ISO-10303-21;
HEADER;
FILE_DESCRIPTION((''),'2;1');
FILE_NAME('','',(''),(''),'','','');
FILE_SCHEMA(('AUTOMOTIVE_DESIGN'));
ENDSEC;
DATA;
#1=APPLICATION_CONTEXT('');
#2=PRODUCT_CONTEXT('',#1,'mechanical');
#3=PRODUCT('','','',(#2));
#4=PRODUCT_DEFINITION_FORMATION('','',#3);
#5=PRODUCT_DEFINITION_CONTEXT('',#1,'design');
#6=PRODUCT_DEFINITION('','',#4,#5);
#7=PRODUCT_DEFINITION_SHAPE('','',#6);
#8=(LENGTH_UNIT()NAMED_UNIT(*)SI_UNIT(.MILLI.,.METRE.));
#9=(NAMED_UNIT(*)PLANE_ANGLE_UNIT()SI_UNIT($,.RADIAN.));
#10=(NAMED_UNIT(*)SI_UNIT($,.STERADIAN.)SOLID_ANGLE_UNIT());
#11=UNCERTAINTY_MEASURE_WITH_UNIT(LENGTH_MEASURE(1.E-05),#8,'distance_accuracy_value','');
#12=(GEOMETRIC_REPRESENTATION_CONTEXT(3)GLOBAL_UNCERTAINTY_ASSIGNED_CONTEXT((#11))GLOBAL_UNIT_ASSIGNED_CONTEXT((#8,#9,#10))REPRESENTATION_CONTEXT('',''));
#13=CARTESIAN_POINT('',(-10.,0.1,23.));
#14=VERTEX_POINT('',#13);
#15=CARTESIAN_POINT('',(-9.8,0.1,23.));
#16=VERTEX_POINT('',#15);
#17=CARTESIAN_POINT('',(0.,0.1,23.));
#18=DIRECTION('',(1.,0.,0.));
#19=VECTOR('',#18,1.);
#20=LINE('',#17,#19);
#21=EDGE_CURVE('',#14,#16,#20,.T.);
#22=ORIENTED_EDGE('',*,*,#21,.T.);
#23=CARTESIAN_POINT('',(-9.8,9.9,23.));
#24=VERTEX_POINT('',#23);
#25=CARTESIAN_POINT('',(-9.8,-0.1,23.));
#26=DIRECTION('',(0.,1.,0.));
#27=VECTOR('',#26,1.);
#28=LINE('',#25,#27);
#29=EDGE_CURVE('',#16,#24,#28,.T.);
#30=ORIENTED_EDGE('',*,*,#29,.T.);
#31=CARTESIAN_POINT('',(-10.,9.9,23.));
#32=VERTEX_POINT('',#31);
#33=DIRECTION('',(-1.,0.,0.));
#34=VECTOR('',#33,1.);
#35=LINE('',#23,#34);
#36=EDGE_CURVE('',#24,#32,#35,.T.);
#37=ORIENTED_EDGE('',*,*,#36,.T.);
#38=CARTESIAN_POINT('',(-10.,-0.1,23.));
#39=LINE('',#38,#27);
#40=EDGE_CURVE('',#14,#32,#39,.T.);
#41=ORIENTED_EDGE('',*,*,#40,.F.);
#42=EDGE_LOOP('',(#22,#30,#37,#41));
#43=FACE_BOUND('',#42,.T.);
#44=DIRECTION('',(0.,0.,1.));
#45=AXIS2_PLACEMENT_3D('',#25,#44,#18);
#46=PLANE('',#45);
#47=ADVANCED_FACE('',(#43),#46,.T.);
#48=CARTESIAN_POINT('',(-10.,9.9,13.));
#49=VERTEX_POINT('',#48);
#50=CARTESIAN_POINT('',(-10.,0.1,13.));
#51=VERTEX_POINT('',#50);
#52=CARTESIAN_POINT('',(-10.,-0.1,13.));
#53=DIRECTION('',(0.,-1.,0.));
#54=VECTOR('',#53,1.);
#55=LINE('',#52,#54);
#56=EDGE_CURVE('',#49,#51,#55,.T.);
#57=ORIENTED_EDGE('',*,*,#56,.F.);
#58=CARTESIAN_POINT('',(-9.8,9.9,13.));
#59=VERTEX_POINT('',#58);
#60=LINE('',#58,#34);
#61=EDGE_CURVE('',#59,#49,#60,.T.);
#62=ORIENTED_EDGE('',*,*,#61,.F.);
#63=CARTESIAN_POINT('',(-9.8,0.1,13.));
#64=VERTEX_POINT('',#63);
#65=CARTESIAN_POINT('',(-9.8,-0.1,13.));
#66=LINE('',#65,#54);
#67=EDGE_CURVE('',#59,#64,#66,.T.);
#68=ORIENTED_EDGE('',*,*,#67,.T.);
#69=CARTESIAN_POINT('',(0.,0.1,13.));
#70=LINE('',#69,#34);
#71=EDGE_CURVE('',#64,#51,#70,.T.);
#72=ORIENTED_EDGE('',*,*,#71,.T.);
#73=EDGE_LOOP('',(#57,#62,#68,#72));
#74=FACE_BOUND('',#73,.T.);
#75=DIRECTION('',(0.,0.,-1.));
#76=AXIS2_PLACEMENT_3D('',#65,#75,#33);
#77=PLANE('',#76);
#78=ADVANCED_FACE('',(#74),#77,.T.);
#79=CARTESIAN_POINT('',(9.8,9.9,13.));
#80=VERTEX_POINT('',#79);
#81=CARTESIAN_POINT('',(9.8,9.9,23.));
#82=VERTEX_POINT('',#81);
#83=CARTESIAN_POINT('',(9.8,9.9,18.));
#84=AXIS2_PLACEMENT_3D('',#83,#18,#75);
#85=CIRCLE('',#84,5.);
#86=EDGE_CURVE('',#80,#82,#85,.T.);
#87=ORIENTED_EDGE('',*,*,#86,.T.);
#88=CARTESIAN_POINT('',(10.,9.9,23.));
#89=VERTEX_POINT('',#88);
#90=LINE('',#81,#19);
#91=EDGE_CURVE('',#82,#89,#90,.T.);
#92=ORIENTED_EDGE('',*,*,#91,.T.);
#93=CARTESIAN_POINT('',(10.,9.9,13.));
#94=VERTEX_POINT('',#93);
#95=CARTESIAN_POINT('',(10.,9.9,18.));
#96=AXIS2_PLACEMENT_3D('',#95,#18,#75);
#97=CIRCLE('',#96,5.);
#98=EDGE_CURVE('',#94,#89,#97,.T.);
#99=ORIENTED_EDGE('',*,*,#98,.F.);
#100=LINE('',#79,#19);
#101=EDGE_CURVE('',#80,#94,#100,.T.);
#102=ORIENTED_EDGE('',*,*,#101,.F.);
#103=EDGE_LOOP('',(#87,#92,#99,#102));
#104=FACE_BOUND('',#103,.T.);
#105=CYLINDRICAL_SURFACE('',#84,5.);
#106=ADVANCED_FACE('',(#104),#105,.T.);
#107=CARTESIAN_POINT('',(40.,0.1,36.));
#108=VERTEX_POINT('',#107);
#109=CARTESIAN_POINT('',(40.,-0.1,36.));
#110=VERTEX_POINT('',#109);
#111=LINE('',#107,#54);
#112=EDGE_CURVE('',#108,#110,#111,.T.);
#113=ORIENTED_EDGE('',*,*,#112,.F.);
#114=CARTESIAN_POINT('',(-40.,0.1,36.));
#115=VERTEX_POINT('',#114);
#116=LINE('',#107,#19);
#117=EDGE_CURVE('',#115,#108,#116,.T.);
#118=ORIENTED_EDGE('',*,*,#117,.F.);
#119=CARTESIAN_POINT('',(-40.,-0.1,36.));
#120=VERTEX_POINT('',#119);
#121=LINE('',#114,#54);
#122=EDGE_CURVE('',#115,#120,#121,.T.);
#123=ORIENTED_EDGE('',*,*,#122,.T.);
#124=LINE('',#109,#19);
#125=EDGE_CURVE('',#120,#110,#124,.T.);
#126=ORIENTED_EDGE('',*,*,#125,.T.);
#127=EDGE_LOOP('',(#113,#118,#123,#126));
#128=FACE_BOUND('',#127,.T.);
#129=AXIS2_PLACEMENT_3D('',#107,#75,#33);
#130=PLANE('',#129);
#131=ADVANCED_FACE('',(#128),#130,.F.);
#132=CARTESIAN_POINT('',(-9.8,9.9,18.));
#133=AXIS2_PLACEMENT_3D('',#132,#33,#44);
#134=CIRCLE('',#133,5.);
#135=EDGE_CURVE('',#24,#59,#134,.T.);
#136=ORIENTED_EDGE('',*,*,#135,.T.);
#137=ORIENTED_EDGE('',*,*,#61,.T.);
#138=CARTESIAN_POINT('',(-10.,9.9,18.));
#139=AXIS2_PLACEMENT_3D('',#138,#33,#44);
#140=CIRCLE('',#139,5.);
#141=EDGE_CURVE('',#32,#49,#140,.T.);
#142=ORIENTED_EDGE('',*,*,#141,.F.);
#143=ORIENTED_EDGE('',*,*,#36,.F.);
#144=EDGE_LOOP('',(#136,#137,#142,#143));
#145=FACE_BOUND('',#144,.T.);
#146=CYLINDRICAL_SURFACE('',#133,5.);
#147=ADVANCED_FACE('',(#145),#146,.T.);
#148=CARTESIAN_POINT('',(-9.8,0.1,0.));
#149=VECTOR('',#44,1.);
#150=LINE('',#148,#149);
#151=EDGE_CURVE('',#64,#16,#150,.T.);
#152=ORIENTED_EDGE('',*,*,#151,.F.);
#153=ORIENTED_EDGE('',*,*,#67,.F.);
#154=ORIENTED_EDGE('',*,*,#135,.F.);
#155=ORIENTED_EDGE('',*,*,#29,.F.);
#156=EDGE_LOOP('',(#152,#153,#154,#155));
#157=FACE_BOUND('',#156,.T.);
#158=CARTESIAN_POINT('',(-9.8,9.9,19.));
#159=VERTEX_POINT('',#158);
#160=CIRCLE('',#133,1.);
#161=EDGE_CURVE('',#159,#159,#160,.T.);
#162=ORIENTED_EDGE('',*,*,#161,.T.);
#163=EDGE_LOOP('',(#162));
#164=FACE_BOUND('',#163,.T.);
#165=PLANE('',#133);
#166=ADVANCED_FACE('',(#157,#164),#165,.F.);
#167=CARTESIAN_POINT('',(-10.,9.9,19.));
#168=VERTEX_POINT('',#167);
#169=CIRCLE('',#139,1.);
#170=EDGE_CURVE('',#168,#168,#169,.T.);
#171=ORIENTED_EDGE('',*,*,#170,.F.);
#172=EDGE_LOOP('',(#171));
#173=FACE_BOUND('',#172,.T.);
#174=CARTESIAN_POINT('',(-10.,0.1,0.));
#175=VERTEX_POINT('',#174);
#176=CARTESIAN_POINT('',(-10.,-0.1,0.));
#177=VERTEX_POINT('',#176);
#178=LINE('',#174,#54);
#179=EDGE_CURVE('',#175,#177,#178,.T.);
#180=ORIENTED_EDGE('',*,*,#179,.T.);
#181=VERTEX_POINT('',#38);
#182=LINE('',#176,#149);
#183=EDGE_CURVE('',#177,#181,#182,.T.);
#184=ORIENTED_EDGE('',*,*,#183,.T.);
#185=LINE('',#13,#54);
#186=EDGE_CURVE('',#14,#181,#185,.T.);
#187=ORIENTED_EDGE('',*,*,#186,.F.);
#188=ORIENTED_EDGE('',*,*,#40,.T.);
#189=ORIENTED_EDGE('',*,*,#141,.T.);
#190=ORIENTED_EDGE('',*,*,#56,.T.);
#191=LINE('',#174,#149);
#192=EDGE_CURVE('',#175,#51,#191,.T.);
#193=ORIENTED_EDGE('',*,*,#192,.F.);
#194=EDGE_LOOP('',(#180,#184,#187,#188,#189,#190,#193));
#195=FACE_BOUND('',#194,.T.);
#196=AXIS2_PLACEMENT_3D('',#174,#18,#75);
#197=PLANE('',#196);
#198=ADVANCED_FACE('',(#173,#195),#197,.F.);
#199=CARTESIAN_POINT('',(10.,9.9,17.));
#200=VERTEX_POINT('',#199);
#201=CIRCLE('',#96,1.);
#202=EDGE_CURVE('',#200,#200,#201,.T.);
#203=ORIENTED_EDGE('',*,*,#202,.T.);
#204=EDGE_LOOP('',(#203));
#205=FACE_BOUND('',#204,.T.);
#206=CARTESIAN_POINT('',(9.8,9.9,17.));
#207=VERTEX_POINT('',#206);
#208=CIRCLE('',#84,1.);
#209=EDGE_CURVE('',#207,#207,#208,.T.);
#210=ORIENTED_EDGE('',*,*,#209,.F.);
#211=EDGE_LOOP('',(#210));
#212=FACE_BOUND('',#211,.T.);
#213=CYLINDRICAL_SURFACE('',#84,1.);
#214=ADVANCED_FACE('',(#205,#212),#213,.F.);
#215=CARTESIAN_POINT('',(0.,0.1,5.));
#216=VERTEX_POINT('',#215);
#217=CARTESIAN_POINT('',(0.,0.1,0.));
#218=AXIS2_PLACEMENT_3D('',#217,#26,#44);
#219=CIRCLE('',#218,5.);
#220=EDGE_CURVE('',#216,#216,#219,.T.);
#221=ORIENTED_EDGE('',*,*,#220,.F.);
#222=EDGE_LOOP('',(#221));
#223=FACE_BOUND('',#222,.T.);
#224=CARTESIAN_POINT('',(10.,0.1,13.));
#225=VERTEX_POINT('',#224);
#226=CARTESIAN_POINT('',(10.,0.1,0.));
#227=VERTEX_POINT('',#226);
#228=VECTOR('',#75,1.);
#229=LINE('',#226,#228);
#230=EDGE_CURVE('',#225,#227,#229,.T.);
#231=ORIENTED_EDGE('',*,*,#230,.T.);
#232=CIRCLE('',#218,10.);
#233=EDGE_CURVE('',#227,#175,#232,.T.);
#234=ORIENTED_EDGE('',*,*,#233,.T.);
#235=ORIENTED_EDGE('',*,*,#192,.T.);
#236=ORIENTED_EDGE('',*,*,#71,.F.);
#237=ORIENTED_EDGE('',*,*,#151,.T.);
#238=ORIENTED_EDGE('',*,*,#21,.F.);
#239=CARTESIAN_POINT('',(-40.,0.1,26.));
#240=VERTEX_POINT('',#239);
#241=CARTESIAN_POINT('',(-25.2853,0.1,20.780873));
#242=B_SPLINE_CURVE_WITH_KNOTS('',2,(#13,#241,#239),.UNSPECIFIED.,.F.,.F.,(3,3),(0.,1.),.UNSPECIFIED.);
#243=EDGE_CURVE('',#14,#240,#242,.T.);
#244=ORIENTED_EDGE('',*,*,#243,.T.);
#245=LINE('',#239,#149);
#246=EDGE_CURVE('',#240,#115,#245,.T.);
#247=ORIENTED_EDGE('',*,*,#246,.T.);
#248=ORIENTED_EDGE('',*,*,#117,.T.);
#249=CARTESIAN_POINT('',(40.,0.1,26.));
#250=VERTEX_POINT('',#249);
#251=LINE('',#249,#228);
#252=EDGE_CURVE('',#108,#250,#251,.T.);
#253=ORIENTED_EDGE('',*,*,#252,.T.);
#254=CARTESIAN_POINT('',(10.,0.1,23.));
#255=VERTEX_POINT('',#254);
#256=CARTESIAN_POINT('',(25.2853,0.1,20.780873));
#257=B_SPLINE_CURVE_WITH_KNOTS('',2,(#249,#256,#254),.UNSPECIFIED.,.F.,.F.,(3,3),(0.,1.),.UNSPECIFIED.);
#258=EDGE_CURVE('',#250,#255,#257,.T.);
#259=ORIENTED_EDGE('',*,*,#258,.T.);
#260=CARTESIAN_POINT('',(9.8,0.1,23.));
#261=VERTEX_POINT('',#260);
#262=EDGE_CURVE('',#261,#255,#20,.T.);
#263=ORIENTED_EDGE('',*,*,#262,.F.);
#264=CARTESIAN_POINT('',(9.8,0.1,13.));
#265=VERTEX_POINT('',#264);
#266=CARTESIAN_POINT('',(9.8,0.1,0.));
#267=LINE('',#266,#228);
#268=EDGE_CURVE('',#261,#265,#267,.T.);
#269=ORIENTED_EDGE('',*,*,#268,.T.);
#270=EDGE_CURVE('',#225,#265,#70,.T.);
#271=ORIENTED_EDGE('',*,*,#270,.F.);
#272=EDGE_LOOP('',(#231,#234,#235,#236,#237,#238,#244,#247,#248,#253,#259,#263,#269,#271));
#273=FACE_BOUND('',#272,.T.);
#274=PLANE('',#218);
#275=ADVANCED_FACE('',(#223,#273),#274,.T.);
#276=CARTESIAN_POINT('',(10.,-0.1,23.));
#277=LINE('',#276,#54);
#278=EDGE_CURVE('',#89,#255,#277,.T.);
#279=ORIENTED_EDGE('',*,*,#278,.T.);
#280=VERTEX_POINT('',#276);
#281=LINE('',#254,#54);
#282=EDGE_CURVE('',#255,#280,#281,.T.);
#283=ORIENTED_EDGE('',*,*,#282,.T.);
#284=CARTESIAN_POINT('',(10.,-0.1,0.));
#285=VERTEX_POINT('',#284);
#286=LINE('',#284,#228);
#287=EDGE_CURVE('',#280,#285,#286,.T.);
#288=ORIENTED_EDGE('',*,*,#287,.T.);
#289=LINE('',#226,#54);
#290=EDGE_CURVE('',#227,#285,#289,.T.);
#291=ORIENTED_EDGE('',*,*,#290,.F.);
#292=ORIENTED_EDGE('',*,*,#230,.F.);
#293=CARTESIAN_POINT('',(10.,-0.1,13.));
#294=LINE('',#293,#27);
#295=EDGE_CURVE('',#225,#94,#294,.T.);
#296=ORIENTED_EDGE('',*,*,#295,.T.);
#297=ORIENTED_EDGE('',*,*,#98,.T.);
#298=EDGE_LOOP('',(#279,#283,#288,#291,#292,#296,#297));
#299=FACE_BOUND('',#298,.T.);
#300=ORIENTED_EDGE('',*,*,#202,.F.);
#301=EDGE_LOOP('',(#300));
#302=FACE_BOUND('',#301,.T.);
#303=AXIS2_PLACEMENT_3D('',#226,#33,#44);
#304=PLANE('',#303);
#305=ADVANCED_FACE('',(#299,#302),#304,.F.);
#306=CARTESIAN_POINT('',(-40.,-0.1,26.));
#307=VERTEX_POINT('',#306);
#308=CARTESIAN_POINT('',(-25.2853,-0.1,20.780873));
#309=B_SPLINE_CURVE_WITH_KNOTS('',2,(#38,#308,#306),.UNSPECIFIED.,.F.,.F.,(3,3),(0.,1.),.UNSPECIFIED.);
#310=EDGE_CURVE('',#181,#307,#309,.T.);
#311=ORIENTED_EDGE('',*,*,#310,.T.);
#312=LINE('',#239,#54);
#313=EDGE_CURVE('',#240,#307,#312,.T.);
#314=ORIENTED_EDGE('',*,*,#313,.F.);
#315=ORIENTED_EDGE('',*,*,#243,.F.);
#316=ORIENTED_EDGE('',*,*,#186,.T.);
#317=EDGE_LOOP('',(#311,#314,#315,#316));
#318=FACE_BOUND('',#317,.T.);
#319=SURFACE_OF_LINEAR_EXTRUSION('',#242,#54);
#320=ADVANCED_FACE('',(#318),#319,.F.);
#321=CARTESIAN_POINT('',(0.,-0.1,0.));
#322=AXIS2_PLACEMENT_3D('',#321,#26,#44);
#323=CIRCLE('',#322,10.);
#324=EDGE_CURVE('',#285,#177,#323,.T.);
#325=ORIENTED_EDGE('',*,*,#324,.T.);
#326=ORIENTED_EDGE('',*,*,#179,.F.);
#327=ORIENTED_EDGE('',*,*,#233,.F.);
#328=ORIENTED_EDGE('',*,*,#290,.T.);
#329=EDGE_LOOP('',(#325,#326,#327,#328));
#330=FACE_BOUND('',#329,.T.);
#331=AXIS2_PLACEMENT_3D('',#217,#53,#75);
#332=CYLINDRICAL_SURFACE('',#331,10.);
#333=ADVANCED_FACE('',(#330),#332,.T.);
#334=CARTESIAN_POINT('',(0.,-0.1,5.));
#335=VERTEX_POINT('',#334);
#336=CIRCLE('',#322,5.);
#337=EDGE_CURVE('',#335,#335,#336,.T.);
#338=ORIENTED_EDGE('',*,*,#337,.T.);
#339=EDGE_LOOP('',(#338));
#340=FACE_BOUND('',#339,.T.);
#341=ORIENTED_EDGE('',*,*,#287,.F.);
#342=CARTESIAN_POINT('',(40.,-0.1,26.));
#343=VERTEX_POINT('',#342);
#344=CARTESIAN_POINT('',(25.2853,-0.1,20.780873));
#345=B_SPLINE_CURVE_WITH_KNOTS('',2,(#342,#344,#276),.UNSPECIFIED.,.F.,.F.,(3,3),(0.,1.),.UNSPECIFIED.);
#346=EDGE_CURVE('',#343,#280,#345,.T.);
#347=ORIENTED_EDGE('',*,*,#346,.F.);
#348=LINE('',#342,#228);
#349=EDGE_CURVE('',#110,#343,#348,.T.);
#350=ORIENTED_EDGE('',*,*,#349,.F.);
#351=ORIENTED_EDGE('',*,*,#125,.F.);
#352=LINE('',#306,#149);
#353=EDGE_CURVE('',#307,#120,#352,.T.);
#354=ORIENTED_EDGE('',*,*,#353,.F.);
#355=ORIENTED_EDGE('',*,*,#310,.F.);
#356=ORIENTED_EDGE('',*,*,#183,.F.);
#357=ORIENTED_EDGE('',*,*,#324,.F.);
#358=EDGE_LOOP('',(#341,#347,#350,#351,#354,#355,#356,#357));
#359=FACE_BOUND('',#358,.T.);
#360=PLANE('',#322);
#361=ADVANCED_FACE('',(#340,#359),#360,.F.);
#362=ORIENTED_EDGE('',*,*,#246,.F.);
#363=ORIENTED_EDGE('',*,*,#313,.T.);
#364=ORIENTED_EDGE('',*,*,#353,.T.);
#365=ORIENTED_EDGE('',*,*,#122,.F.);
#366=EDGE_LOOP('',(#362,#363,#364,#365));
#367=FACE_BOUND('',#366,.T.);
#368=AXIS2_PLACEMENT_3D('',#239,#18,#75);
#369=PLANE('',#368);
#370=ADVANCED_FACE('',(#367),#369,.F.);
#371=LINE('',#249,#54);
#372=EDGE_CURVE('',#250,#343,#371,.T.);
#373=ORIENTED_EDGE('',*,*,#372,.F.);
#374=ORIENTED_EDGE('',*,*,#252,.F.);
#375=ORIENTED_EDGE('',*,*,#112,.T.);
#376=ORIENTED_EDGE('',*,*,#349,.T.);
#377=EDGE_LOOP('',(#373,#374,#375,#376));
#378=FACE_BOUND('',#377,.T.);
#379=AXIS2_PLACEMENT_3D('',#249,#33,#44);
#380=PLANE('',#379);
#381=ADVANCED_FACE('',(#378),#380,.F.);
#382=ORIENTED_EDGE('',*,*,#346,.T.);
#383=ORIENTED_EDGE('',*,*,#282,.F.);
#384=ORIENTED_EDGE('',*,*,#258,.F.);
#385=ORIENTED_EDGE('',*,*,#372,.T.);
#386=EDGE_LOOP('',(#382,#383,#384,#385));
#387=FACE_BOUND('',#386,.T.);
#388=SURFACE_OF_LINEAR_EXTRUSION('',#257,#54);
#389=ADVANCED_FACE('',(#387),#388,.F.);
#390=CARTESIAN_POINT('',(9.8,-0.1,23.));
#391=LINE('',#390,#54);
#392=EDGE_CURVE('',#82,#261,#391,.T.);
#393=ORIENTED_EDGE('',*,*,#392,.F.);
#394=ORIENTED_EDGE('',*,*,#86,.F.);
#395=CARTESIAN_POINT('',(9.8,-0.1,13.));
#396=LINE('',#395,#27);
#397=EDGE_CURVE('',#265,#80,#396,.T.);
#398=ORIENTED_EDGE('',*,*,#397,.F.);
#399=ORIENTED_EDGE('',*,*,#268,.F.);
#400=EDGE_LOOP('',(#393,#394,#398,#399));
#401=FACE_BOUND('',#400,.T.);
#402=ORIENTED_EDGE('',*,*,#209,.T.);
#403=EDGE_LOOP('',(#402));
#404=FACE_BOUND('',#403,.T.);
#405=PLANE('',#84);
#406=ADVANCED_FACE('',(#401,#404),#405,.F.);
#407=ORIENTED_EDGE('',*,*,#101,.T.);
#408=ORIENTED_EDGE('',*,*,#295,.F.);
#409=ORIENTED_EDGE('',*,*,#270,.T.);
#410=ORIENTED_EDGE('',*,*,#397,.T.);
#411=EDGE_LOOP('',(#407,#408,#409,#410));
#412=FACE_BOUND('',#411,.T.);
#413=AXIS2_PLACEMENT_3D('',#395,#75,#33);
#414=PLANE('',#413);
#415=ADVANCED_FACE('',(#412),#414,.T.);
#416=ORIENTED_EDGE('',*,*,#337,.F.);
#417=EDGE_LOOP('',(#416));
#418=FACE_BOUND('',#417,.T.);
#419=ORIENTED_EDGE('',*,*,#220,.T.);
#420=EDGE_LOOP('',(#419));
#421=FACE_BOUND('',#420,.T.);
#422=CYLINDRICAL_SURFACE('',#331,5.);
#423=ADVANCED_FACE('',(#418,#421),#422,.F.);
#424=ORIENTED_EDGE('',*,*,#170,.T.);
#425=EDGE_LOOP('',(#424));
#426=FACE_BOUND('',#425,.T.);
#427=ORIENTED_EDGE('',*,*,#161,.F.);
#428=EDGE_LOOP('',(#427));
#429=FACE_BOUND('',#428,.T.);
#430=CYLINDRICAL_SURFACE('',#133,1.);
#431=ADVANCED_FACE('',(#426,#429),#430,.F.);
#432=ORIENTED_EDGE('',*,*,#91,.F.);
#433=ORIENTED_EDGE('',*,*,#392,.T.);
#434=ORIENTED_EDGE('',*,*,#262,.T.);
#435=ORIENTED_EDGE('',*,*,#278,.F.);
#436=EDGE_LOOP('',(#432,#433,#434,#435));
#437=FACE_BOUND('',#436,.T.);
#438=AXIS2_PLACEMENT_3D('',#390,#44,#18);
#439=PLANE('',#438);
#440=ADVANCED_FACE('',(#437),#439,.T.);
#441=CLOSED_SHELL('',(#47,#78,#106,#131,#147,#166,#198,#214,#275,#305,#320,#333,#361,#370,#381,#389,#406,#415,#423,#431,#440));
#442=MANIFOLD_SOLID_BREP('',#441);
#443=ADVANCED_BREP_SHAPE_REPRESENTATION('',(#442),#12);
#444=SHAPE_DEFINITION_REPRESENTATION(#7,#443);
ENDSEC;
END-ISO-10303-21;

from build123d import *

# Parameters (mm, degrees)
SKETCH_1_R      = 5
EXTRUDE_1_DEPTH = 0.1
SKETCH_3_R      = 1
EXTRUDE_2_DEPTH = 0.2
SKETCH_4_R      = 1
EXTRUDE_3_DEPTH = 0.2


with BuildPart() as part:
    # 草图1 → 凸台-拉伸1 (new body, symmetric)
    with BuildSketch(Plane(origin=(0, 0, 0), x_dir=(1, 0, 0), z_dir=(0, 1, 0))):
        with BuildLine():
            Line((10, 0), (10, -23))
            add(Edge.make_bspline(
                [(10, -23), (25.285299712, -20.780872621), (40, -26)],
                knots=[0, 0, 0, 1, 1, 1], degree=2))
            Line((40, -26), (40, -36))
            Line((40, -36), (-40, -36))
            Line((-40, -36), (-40, -26))
            add(Edge.make_bspline(
                [(-10, -23), (-25.285299712, -20.780872621), (-40, -26)],
                knots=[0, 0, 0, 1, 1, 1], degree=2))
            Line((-10, -23), (-10, 0))
            ThreePointArc((-10, 0), (0, 10), (10, 0))
        make_face()
        Circle(SKETCH_1_R, mode=Mode.SUBTRACT)
    extrude(amount=EXTRUDE_1_DEPTH, both=True)

    # 草图3 → 凸台-拉伸2 (add)
    with BuildSketch(Plane(origin=(10, 0, 0), x_dir=(0, 0, -1), z_dir=(1, 0, 0))):
        with BuildLine():
            Line((-23, -0.1), (-13, -0.1))
            Line((-13, -0.1), (-13, 9.9))
            ThreePointArc((-13, 9.9), (-18, 14.9), (-23, 9.9))
            Line((-23, 9.9), (-23, -0.1))
        make_face()
        with Locations((-18, 9.9)):
            Circle(SKETCH_3_R, mode=Mode.SUBTRACT)
    extrude(amount=-EXTRUDE_2_DEPTH)

    # 草图4 → 凸台-拉伸3 (add)
    with BuildSketch(Plane.ZY.offset(10)):
        with BuildLine():
            Line((23, -0.1), (13, -0.1))
            Line((13, -0.1), (13, 9.9))
            ThreePointArc((13, 9.9), (18, 14.9), (23, 9.9))
            Line((23, 9.9), (23, -0.1))
        make_face()
        with Locations((18, 9.9)):
            Circle(SKETCH_4_R, mode=Mode.SUBTRACT)
    extrude(amount=-EXTRUDE_3_DEPTH)


solid = part.part
